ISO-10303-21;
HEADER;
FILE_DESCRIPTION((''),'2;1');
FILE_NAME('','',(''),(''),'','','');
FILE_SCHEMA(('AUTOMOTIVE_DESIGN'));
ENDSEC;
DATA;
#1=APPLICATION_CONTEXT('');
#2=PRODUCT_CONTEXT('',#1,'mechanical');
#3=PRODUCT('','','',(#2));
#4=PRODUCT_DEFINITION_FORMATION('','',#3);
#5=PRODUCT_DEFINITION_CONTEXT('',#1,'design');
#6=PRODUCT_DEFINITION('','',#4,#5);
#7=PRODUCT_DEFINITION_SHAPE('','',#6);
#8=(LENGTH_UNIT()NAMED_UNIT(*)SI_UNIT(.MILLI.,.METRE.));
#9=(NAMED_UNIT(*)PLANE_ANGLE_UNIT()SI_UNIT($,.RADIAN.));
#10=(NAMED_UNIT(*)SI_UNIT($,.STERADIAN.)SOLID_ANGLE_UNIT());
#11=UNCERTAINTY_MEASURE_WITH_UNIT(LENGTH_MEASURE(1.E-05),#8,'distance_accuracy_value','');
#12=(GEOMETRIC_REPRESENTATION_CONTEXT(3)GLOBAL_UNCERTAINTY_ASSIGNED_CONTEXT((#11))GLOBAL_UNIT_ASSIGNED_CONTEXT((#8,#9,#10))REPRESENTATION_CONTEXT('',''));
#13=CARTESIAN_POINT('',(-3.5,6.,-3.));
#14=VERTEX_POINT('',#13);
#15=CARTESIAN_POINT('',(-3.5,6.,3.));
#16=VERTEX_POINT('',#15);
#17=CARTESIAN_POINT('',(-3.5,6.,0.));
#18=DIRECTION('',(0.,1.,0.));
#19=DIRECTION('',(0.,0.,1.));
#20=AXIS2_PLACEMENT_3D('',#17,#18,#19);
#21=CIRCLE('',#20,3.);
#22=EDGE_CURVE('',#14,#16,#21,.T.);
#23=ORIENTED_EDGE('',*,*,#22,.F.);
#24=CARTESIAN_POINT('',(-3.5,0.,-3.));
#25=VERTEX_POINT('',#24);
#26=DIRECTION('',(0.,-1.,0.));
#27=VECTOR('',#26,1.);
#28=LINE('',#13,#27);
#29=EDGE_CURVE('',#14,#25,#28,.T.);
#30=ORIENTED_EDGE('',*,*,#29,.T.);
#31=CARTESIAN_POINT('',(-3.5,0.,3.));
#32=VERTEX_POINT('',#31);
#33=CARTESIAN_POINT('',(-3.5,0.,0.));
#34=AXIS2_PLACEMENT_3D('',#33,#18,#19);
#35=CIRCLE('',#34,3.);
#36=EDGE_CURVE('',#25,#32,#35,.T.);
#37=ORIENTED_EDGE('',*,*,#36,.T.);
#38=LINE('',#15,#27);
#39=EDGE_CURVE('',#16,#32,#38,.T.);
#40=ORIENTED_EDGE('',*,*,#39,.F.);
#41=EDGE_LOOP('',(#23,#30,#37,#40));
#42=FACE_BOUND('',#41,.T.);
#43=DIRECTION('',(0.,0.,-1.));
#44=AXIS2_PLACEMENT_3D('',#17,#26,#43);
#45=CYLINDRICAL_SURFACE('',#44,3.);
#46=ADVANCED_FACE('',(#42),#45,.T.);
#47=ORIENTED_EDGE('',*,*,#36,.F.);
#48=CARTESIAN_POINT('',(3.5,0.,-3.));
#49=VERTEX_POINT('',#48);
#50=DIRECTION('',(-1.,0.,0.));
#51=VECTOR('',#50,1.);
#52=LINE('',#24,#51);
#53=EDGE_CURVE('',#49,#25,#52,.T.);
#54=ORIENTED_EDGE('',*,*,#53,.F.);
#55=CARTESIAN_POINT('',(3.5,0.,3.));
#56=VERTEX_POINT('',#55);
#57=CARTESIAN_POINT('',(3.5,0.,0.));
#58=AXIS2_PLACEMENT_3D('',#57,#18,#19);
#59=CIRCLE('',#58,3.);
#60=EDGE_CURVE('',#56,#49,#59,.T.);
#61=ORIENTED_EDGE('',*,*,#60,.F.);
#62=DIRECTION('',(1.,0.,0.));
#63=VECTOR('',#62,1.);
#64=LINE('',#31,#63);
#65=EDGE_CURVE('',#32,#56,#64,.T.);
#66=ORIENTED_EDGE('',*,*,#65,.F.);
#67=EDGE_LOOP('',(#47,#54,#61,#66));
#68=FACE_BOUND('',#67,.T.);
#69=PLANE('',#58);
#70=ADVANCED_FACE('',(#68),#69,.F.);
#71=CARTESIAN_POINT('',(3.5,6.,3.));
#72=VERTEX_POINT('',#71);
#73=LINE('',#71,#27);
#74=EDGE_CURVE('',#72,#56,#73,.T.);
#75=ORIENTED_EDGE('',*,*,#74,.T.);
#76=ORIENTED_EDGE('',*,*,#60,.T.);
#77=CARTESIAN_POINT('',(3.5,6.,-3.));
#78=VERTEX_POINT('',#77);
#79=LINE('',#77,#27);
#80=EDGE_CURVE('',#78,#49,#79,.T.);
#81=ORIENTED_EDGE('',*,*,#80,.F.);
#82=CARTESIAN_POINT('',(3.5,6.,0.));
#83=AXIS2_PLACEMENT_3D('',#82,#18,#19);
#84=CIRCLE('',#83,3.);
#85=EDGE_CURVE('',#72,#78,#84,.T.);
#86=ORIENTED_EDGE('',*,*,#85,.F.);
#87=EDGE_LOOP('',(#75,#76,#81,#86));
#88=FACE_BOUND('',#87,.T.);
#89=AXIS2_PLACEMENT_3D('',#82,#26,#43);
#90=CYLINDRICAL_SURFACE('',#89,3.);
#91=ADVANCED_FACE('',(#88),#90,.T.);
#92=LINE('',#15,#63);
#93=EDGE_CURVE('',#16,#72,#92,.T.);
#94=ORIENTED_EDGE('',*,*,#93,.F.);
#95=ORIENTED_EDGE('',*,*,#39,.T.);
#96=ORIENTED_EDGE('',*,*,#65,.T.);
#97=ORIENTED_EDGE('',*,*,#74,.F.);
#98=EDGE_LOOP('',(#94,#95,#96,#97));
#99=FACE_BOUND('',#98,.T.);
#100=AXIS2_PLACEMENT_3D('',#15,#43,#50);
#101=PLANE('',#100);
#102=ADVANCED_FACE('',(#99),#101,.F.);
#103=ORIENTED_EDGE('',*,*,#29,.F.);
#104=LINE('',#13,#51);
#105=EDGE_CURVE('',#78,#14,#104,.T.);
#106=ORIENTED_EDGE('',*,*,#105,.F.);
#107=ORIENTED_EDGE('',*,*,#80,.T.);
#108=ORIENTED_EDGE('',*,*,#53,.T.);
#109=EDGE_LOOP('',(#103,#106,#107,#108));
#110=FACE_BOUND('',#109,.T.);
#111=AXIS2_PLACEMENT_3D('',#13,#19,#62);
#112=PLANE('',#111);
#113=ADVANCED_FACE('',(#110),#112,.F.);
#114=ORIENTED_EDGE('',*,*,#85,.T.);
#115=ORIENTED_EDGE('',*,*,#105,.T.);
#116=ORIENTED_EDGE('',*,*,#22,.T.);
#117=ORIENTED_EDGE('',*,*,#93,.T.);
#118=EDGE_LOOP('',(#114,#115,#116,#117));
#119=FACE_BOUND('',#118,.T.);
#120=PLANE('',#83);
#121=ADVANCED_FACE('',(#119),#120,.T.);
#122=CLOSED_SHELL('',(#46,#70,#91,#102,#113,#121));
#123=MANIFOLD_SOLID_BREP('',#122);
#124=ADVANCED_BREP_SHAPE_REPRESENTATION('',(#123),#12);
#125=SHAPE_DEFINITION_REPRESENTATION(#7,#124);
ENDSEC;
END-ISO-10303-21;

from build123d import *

# Parameters (mm, degrees)
BOSS_EXTRUDE1_DEPTH = 6


with BuildPart() as part:
    # Sketch1 → Boss-Extrude1 (new body)
    with BuildSketch(Plane(origin=(0, 0, 0), x_dir=(1, 0, 0), z_dir=(0, 1, 0))):
        with BuildLine():
            Line((-3.5, -3), (3.5, -3))
            ThreePointArc((3.5, -3), (6.5, 0), (3.5, 3))
            Line((3.5, 3), (-3.5, 3))
            ThreePointArc((-3.5, 3), (-6.5, 0), (-3.5, -3))
        make_face()
    extrude(amount=BOSS_EXTRUDE1_DEPTH)


solid = part.part
